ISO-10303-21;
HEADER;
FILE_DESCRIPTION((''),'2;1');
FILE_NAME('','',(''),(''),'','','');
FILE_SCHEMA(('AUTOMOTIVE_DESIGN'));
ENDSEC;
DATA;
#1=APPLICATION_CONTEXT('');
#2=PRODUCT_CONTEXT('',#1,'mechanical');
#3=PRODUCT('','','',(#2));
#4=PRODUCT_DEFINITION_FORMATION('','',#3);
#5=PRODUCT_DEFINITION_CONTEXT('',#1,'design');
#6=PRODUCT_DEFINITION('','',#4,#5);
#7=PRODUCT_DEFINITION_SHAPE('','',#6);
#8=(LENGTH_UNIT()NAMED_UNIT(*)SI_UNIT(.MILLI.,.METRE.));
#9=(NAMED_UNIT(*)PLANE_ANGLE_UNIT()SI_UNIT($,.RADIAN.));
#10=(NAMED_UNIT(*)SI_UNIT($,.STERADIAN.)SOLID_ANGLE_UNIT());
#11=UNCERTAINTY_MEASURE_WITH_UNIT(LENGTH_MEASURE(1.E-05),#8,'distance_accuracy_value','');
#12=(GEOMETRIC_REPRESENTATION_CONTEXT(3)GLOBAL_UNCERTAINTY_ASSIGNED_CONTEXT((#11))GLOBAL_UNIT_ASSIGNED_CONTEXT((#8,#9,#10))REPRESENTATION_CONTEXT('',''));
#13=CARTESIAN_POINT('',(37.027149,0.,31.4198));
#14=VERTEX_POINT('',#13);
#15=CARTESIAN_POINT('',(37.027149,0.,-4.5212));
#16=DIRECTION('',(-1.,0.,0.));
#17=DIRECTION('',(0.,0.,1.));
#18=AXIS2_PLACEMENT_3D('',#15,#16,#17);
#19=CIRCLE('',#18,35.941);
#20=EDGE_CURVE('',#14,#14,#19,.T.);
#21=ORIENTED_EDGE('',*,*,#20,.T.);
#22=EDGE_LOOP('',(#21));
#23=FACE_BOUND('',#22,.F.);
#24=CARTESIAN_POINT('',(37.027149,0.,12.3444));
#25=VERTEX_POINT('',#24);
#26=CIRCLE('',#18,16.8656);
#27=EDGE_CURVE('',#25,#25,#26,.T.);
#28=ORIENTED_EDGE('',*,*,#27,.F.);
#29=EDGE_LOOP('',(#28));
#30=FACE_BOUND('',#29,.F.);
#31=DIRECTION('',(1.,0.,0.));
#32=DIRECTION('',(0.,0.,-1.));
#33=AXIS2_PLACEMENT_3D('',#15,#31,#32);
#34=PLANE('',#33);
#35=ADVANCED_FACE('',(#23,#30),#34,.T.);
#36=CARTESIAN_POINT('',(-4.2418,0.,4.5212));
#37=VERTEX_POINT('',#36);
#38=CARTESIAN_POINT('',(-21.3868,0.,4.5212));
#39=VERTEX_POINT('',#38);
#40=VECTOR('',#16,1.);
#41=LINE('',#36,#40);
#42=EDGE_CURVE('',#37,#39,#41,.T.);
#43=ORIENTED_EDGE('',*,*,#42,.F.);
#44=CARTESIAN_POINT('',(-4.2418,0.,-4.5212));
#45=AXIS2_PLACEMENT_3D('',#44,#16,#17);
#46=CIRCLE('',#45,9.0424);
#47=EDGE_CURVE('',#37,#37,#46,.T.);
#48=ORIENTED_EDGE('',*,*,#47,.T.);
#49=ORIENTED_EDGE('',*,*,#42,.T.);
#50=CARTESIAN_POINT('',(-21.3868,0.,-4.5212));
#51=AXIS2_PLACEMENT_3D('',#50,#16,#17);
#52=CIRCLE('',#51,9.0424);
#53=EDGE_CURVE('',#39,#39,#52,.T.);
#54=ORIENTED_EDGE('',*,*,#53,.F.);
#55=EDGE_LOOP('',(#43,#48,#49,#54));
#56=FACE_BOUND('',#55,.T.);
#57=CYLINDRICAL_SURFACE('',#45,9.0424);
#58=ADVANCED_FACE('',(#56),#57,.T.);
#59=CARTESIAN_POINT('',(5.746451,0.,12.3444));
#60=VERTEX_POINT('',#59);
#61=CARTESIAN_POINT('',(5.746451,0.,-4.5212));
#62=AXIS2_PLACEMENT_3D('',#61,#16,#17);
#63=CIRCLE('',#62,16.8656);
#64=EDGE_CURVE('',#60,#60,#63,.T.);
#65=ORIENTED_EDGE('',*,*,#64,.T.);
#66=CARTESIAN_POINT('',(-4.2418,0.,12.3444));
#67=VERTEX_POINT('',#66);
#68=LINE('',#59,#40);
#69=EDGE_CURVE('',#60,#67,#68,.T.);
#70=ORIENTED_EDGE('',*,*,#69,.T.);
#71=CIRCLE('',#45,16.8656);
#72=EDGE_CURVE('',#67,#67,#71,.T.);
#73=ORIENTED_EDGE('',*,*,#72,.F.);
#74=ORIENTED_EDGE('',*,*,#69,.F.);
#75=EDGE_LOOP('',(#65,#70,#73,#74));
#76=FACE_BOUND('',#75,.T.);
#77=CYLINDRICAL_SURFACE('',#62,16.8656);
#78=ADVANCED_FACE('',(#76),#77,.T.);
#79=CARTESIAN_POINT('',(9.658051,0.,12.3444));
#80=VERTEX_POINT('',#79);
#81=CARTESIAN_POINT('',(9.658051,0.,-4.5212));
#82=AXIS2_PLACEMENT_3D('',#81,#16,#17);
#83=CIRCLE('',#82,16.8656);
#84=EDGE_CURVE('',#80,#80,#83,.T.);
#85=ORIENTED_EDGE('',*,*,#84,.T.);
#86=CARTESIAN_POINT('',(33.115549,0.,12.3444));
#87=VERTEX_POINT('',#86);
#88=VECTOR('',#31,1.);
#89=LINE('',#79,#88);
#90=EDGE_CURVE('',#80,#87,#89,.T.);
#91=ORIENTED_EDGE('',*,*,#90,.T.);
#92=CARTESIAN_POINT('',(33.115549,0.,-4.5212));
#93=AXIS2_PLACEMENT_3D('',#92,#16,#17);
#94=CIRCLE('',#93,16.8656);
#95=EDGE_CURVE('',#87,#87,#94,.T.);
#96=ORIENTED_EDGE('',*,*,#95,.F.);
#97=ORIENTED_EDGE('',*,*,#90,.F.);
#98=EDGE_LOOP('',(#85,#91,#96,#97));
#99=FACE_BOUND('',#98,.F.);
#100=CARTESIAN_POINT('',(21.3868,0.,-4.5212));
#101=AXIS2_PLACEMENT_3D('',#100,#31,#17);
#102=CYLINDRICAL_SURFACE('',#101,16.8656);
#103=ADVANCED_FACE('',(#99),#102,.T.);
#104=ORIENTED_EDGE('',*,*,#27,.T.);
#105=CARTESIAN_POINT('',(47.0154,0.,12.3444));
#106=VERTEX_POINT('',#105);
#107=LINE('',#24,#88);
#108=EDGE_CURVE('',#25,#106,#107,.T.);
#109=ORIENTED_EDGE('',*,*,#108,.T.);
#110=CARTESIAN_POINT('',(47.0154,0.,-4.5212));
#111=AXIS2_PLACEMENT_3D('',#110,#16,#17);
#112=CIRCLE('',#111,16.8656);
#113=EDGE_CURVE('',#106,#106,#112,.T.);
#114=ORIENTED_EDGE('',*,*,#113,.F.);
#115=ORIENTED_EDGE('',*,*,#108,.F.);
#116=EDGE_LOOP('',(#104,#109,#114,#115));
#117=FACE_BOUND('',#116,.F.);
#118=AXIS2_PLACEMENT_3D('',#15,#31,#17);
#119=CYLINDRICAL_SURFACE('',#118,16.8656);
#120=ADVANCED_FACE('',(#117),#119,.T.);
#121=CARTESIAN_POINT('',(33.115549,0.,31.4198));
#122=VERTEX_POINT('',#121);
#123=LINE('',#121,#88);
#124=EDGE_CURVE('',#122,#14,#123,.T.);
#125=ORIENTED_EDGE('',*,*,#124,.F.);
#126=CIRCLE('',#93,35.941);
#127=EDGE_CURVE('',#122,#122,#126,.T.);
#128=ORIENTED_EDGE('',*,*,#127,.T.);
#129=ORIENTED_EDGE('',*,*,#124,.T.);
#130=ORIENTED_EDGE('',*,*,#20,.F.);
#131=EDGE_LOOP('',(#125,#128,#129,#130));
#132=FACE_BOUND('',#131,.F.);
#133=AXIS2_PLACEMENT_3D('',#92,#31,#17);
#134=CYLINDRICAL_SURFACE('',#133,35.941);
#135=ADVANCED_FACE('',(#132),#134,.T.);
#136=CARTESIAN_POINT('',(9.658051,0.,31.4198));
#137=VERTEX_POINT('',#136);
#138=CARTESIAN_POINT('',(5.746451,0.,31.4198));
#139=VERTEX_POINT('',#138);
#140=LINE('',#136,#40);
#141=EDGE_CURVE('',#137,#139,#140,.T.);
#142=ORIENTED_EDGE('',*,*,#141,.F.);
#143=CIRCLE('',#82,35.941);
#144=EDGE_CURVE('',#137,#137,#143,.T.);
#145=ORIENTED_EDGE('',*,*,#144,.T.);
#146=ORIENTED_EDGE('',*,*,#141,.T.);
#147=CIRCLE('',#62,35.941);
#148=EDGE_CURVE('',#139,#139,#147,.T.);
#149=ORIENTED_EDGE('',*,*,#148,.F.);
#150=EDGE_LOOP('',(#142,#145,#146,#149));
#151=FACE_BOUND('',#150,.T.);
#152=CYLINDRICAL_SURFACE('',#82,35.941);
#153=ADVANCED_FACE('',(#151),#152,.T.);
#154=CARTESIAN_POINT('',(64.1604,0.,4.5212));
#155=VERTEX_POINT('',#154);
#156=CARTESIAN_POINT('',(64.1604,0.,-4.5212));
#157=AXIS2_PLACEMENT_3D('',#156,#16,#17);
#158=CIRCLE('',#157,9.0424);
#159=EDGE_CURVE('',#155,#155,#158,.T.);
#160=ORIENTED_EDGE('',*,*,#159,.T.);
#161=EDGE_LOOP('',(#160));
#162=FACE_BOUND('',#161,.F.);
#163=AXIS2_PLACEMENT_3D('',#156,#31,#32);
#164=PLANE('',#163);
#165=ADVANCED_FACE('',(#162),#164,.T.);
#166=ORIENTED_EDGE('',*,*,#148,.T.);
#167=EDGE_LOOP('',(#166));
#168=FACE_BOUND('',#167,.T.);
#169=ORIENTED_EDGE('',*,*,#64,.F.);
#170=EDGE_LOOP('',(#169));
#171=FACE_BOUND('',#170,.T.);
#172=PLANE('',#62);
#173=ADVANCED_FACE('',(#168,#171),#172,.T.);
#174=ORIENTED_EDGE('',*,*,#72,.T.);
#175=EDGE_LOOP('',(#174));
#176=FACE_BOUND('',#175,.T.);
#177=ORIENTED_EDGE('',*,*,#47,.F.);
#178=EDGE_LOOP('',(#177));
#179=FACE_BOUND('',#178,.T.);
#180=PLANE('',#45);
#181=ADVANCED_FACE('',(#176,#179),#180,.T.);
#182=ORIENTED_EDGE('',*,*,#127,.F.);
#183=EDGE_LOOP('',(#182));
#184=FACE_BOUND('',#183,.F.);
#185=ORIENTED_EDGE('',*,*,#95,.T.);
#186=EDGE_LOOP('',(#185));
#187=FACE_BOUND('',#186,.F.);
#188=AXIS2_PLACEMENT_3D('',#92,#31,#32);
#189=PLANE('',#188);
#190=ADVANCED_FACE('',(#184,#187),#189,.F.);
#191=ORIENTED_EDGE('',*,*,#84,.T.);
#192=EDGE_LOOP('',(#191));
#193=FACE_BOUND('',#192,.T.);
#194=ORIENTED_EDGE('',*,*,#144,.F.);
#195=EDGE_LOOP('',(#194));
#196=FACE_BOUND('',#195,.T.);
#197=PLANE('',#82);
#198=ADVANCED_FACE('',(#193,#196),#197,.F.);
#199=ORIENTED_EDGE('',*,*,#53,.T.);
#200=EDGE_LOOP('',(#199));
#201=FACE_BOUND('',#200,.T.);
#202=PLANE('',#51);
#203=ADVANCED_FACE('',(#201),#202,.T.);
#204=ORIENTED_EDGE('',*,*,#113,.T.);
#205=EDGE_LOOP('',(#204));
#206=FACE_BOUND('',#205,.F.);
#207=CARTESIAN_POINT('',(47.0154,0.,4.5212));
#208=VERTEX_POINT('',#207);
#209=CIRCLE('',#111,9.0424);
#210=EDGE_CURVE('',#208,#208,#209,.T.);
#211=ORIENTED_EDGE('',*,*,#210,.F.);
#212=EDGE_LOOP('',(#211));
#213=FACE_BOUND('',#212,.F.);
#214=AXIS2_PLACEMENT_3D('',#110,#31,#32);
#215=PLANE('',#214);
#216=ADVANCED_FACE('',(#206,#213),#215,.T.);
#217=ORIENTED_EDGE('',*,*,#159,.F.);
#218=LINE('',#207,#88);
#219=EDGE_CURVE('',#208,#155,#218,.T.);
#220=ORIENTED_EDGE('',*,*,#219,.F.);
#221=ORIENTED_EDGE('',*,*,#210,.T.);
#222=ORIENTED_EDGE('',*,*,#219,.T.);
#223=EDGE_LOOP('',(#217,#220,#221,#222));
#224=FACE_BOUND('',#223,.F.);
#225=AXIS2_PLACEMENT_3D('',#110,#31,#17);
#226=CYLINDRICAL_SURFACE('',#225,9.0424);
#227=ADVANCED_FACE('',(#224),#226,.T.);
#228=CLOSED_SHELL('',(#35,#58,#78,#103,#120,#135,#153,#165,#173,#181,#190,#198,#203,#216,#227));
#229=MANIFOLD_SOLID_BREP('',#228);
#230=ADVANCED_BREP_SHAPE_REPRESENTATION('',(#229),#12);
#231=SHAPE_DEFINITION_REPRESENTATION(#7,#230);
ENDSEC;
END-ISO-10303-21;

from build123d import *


with BuildPart() as f1:
    # F0 (on Front) → F1 (revolve)
    with BuildSketch(Plane.XZ):
        Polygon((-4.2418, 12.3444), (-4.2418, 4.5212), (-21.3868, 4.5212), (-21.3868, -4.5212), (21.3868, -4.5212), (21.3868, 4.5212), (21.3868, 12.3444), (9.658051, 12.3444), (9.658051, 31.4198), (5.746451, 31.4198), (5.746451, 12.3444), align=None)
    revolve(axis=Axis((0, 0, -4.5212), (-1, 0, 0)))

    # F2: F1 across face


with BuildPart() as f1_1:
    add(f1.part)
    add(f1.part.mirror(Plane(origin=(21.3868, 0, -4.5212), x_dir=(0, 1, 0), z_dir=(1, 0, 0))))


solid = f1_1.part
